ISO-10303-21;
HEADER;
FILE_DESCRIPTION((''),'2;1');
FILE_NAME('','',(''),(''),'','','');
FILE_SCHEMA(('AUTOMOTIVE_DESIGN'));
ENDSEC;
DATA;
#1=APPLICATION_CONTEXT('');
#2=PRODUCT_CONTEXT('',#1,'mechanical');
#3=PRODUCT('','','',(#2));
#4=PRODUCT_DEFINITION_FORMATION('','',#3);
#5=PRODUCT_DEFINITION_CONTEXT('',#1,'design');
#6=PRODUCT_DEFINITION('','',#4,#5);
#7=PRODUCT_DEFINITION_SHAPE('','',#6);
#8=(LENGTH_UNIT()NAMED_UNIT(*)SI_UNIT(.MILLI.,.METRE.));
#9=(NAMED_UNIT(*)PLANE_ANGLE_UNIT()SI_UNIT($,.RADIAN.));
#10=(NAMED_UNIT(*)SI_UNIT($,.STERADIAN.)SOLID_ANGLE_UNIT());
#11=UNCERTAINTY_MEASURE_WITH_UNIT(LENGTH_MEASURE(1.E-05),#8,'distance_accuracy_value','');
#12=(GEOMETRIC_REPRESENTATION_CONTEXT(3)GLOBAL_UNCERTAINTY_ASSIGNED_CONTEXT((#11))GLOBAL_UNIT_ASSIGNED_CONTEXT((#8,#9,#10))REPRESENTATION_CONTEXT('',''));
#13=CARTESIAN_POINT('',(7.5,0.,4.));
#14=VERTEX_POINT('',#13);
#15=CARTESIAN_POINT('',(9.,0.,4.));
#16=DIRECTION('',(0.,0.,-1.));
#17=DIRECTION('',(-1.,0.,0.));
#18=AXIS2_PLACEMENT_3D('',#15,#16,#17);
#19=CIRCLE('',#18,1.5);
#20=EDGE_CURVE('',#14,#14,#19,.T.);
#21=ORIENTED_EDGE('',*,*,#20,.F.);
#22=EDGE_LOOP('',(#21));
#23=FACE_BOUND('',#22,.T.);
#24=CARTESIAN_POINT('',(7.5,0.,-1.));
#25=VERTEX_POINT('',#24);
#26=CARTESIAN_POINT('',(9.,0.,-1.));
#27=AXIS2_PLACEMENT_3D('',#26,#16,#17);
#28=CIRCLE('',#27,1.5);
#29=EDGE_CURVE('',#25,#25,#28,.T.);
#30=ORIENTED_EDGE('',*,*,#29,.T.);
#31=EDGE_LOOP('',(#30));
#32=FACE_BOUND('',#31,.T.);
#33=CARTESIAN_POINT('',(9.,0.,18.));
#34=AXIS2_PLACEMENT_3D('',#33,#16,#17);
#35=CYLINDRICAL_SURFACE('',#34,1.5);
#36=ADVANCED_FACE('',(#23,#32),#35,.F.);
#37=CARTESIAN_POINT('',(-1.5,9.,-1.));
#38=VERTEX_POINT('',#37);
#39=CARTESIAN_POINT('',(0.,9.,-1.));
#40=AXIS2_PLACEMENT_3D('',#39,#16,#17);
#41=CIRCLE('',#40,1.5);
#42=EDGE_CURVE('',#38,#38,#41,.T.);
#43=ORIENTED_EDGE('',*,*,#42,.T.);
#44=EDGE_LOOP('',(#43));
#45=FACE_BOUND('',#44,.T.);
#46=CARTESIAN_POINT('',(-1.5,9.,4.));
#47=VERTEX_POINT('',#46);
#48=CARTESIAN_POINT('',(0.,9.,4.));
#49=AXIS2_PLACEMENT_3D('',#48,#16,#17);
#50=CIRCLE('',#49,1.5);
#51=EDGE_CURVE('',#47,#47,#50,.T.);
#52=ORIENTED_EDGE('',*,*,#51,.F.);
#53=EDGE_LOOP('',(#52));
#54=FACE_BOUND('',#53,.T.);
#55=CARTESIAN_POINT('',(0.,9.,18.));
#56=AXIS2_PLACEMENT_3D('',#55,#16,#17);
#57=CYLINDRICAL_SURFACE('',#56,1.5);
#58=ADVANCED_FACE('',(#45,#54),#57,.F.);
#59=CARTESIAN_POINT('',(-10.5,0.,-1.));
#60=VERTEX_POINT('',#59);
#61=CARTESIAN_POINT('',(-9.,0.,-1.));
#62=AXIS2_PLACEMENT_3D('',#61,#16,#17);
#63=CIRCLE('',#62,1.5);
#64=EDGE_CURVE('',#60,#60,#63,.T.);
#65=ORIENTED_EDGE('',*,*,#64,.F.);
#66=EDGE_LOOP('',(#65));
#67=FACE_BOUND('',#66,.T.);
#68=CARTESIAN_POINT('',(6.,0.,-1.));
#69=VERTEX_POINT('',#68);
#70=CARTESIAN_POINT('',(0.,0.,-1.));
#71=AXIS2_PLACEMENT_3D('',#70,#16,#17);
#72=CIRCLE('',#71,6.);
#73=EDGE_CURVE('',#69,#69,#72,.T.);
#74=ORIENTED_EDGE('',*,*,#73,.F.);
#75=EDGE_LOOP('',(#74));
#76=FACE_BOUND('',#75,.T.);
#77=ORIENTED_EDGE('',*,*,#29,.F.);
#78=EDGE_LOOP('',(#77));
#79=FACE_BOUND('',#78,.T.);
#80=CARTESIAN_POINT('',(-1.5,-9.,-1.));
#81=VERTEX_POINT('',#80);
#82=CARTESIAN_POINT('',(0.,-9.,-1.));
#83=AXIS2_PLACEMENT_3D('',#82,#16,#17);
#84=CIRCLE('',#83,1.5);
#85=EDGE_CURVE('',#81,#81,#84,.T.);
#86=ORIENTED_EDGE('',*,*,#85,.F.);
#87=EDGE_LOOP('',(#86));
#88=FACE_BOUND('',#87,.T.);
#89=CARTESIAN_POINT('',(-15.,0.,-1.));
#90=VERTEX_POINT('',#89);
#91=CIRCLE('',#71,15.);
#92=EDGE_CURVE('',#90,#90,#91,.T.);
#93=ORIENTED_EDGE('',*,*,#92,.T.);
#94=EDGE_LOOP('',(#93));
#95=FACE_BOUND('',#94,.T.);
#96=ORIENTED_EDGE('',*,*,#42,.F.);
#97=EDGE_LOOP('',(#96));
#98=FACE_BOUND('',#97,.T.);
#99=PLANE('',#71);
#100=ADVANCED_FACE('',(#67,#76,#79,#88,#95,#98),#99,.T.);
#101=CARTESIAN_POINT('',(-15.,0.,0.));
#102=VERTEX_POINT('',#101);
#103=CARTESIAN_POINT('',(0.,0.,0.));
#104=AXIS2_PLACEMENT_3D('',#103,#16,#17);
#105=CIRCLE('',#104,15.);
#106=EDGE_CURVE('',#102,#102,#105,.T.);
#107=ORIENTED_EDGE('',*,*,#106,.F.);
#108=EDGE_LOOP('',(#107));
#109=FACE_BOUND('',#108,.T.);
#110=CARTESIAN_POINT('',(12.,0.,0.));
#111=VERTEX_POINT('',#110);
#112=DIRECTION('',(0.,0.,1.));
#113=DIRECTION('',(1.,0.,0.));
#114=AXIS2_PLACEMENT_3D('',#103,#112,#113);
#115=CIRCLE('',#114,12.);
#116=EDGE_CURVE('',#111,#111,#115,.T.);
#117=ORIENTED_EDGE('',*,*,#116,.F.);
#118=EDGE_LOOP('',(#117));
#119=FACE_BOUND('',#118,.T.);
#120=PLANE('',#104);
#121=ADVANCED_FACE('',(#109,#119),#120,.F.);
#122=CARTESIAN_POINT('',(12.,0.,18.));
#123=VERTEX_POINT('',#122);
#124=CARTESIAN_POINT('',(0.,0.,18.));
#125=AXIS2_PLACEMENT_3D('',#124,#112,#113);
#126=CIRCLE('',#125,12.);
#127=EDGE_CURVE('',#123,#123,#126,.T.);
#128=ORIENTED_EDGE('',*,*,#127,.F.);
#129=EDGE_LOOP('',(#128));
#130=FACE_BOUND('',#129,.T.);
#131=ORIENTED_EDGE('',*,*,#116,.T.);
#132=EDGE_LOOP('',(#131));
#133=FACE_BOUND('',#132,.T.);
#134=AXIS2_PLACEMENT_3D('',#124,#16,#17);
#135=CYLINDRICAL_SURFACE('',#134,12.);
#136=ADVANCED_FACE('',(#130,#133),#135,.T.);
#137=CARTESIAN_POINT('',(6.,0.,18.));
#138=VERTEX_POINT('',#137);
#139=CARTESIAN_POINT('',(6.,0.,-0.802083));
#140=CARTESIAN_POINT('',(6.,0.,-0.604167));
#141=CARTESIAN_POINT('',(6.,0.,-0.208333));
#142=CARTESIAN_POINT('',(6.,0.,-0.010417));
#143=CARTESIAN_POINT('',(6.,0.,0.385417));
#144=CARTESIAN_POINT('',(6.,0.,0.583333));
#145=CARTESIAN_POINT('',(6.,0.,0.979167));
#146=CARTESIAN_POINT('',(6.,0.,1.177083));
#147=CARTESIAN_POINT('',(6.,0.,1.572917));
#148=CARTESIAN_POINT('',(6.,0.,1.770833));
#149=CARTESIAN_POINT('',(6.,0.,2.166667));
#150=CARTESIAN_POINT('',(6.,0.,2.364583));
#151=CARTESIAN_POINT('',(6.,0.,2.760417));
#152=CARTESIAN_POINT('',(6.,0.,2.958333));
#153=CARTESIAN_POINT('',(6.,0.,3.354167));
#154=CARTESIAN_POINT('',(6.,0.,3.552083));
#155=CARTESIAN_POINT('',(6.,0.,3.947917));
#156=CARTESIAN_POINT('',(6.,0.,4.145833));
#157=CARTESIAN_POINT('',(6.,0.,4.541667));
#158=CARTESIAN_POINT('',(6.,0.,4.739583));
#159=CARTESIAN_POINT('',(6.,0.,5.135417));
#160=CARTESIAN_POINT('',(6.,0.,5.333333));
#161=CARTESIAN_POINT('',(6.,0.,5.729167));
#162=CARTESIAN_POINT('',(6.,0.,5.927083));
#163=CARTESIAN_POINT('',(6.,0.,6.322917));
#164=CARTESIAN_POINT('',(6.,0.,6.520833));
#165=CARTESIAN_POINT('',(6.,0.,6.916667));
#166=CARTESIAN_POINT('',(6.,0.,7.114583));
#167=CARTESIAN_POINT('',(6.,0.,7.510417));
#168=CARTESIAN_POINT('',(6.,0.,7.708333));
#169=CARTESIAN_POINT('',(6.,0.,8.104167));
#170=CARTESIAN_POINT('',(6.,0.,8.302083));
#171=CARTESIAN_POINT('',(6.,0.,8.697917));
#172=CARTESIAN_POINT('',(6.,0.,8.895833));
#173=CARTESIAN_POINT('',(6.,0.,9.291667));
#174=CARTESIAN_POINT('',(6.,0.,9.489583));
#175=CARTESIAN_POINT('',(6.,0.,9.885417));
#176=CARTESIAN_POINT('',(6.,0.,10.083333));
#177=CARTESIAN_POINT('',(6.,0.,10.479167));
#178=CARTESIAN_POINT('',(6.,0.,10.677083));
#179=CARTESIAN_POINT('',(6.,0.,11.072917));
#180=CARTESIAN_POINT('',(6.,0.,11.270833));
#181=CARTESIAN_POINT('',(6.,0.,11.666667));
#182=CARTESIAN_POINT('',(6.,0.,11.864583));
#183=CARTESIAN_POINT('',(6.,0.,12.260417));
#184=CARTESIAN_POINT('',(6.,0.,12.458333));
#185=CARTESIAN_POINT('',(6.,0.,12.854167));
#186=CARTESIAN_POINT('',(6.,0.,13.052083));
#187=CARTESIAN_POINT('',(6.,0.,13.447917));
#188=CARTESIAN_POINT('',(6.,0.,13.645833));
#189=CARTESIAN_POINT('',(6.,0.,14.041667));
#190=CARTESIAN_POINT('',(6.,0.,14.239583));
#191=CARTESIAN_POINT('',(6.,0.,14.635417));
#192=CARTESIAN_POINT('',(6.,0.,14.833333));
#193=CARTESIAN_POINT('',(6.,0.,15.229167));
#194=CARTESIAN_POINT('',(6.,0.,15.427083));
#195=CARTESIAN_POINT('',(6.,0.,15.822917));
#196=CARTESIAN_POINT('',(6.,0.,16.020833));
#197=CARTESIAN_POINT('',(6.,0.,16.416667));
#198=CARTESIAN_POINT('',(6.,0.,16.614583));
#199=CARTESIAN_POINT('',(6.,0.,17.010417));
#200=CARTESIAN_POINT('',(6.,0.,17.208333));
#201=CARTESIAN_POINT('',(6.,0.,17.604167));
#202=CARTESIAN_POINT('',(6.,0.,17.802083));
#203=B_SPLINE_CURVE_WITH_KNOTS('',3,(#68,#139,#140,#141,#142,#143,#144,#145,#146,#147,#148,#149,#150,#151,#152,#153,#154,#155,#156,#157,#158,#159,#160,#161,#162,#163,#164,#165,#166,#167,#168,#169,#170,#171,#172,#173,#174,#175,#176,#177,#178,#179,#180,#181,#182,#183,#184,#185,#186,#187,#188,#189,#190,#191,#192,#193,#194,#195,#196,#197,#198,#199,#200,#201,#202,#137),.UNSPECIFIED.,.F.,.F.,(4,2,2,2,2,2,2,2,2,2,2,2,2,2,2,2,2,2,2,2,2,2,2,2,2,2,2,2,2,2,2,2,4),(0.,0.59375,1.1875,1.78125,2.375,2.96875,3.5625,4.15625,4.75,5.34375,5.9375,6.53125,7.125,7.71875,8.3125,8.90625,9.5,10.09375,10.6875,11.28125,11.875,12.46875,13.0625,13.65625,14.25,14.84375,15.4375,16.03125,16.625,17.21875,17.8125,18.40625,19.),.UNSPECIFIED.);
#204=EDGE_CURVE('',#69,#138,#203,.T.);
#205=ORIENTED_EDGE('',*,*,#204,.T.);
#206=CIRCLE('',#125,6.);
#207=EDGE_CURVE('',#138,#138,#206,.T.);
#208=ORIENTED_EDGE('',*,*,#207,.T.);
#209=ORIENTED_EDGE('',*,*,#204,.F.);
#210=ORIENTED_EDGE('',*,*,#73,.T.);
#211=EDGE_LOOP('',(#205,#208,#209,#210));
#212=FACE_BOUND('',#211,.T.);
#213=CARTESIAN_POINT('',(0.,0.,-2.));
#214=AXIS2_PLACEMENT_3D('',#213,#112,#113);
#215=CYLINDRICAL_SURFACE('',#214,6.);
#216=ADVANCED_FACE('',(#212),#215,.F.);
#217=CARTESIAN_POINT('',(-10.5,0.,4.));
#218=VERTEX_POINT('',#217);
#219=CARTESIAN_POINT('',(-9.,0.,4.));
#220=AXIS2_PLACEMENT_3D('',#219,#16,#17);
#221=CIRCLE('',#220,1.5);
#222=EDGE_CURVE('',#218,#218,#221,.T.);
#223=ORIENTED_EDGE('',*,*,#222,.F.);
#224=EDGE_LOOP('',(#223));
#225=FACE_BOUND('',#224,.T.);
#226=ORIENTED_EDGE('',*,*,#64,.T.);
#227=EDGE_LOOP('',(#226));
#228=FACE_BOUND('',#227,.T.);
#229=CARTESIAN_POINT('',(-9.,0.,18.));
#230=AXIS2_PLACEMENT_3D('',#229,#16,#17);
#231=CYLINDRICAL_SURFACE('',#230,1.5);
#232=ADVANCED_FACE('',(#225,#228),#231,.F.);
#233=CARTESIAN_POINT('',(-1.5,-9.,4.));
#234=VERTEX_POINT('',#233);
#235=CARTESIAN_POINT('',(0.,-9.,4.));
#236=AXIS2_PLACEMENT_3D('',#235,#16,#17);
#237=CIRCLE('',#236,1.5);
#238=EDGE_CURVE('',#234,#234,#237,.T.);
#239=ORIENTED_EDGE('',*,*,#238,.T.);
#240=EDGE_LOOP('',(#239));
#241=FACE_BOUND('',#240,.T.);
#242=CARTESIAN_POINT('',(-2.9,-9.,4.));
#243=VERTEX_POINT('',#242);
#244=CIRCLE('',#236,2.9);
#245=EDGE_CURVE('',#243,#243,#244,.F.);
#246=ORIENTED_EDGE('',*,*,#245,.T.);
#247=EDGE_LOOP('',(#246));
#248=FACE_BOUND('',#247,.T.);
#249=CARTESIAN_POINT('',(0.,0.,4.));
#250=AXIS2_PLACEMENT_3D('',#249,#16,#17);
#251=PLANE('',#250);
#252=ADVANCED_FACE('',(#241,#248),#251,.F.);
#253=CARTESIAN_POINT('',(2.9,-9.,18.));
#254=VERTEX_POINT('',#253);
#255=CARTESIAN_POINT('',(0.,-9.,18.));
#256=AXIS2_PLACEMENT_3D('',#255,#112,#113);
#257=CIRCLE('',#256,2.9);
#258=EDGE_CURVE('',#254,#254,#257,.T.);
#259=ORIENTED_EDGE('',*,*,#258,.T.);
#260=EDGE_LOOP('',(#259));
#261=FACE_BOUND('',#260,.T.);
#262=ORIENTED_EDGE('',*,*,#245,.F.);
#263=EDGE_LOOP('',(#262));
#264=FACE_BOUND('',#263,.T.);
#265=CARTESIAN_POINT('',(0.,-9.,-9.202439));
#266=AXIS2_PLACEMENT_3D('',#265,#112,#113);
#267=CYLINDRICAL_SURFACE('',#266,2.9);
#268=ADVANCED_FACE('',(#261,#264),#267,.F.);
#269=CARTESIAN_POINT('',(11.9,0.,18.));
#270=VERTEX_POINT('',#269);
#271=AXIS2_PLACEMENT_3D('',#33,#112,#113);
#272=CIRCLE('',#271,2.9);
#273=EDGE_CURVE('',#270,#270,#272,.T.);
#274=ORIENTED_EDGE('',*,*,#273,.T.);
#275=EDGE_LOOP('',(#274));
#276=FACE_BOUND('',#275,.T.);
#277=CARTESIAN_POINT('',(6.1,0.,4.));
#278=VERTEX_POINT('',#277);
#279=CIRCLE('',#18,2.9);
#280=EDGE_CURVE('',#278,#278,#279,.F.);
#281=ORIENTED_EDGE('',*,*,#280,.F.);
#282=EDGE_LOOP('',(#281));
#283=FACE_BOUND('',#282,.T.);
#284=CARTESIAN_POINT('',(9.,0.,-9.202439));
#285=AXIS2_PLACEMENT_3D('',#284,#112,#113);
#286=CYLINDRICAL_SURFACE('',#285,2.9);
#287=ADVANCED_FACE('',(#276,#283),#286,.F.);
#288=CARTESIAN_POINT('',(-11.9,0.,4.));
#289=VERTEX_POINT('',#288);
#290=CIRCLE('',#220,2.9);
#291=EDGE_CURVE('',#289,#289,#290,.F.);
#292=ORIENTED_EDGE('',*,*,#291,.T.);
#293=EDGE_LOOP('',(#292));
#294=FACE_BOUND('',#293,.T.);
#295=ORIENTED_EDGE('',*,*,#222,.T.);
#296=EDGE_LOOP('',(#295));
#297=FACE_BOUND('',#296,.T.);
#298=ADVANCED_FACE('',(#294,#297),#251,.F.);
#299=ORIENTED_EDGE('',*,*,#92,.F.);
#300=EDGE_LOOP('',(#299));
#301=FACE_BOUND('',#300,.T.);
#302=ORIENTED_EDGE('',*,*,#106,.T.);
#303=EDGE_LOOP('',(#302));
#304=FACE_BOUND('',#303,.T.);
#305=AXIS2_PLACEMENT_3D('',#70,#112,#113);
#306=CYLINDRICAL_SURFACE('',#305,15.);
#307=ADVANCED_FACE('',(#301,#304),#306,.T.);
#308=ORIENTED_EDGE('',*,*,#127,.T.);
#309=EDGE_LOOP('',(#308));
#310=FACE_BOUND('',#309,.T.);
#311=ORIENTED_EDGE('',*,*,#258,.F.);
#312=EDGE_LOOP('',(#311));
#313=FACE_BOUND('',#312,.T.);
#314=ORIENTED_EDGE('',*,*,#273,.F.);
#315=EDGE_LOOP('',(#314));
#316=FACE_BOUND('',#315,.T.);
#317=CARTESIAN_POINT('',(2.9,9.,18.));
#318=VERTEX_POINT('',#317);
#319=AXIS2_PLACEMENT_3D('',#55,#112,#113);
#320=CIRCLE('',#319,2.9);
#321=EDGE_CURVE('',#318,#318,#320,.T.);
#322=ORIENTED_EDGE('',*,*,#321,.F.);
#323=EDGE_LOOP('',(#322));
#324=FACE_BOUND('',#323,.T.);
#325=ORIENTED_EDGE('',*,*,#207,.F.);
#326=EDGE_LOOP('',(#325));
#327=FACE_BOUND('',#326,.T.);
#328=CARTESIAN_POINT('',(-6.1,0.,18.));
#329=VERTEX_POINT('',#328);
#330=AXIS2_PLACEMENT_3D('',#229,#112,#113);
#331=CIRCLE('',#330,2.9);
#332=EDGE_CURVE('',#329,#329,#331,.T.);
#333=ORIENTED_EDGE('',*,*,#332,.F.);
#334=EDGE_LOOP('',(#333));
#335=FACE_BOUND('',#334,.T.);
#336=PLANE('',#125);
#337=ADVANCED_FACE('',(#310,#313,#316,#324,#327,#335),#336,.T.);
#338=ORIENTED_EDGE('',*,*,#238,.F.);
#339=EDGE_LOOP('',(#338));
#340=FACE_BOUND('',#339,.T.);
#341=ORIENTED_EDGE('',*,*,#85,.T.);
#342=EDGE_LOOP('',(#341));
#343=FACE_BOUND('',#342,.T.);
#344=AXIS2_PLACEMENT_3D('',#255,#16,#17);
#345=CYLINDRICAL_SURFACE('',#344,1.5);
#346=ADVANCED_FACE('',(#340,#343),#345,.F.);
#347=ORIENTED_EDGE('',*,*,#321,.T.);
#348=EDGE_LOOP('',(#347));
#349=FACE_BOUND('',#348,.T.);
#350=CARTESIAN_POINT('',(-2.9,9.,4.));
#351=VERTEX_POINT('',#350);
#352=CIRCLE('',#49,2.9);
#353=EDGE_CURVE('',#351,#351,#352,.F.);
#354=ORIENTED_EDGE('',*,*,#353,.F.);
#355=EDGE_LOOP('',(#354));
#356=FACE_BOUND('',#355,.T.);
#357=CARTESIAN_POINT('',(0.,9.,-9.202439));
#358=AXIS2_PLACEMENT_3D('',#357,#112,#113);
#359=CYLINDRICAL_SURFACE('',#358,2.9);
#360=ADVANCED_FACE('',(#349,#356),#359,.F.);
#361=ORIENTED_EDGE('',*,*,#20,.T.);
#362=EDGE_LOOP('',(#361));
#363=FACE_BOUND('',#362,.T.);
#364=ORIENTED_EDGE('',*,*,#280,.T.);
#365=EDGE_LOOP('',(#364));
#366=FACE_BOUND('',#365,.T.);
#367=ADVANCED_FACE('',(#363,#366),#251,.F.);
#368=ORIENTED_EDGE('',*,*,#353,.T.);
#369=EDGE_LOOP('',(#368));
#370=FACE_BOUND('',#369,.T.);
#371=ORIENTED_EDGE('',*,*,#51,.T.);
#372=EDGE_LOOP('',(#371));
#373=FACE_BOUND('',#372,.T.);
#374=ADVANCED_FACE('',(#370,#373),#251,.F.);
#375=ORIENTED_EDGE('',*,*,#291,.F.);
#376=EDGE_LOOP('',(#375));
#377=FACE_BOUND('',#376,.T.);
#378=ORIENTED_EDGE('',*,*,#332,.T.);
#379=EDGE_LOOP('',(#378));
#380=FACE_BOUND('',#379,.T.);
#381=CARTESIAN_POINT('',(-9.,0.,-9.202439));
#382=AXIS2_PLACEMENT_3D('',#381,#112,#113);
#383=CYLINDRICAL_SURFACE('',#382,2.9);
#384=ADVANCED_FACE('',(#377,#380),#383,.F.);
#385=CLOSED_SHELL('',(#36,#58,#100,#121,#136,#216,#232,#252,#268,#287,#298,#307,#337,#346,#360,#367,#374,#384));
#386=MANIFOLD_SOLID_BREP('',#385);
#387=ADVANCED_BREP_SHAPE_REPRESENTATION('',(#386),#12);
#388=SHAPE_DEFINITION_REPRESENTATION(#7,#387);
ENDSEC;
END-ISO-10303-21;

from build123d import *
from build123d.topology import SkipClean

# Parameters (mm, degrees)
SKIZZE1_R                       = 12
SKIZZE1_R_2                     = 1.5
AUFSATZ_LINEAR_AUSTRAGEN1_DEPTH = 18
AUFSATZ_LINEAR_START            = 1
SKIZZE4_R                       = 15
SKIZZE4_R_2                     = 1.5
AUFSATZ_LINEAR_AUSTRAGEN2_DEPTH = 1
SKIZZE2_R                       = 2.9
SCHNITT_LINEAR_AUSTRAGEN4_DEPTH = 14
SCHNITT_LINEAR_AUSTRAGEN5_DEPTH = 23
SKIZZE9_R                       = 2.5
SCHNITT_LINEAR_AUSTRAGEN7_DEPTH = 5
SKIZZE11_R                      = 6
SCHNITT_LINEAR_AUSTRAGEN9_DEPTH = 20


with BuildPart() as part:
    # Skizze1 → Aufsatz-Linear austragen1 (new body)
    with BuildSketch(Plane.XY):
        Circle(SKIZZE1_R)
        with Locations((9, 0)):
            Circle(SKIZZE1_R_2, mode=Mode.SUBTRACT)
        with Locations((0, -9)):
            Circle(SKIZZE1_R_2, mode=Mode.SUBTRACT)
        with Locations((-9, 0)):
            Circle(SKIZZE1_R_2, mode=Mode.SUBTRACT)
        with Locations((0, 9)):
            Circle(SKIZZE1_R_2, mode=Mode.SUBTRACT)
    extrude(amount=AUFSATZ_LINEAR_AUSTRAGEN1_DEPTH)

    # Skizze4 → Aufsatz-Linear austragen2 (add)
    with SkipClean():  # the faces are left unmerged after this step: merging them gives an invalid solid
        with BuildSketch(Plane(origin=(0, 0, 0), x_dir=(-1, 0, 0), z_dir=(0, 0, -1)).offset(AUFSATZ_LINEAR_START)):
            Circle(SKIZZE4_R)
            with Locations((0, 9)):
                Circle(SKIZZE4_R_2, mode=Mode.SUBTRACT)
            with Locations((9, 0)):
                Circle(SKIZZE4_R_2, mode=Mode.SUBTRACT)
            with Locations((0, -9)):
                Circle(SKIZZE4_R_2, mode=Mode.SUBTRACT)
            with Locations((-9, 0)):
                Circle(SKIZZE4_R_2, mode=Mode.SUBTRACT)
        extrude(amount=-AUFSATZ_LINEAR_AUSTRAGEN2_DEPTH)

    # Skizze2 → Schnitt-Linear austragen4 (cut)
    with BuildSketch(Plane.XY.offset(18)):
        with Locations((0, 9)):
            Circle(SKIZZE2_R)
        with Locations((9, 0)):
            Circle(SKIZZE2_R)
        with Locations((0, -9)):
            Circle(SKIZZE2_R)
        with Locations((-9, 0)):
            Circle(SKIZZE2_R)
    extrude(amount=-SCHNITT_LINEAR_AUSTRAGEN4_DEPTH, mode=Mode.SUBTRACT)

    # Skizze6 → Schnitt-Linear austragen5 (cut)
    with BuildSketch(Plane.XY.offset(18)):
        with BuildLine():
            Line((1.5, 2), (-1.5, 2))
            ThreePointArc((-1.5, 2), (-1.118033989, -2.236067977), (2.5, 0))
            ThreePointArc((2.5, 0), (2.236067977, 1.118033989), (1.5, 2))
        make_face()
    extrude(amount=-SCHNITT_LINEAR_AUSTRAGEN5_DEPTH, mode=Mode.SUBTRACT)

    # Skizze9 → Schnitt-Linear austragen7 (cut)
    with BuildSketch(Plane.XY.offset(18)):
        Circle(SKIZZE9_R)
    extrude(amount=-SCHNITT_LINEAR_AUSTRAGEN7_DEPTH, mode=Mode.SUBTRACT)

    # Skizze11 → Schnitt-Linear austragen9 (cut)
    with BuildSketch(Plane.XY.offset(18)):
        Circle(SKIZZE11_R)
    extrude(amount=-SCHNITT_LINEAR_AUSTRAGEN9_DEPTH, mode=Mode.SUBTRACT)


solid = part.part
